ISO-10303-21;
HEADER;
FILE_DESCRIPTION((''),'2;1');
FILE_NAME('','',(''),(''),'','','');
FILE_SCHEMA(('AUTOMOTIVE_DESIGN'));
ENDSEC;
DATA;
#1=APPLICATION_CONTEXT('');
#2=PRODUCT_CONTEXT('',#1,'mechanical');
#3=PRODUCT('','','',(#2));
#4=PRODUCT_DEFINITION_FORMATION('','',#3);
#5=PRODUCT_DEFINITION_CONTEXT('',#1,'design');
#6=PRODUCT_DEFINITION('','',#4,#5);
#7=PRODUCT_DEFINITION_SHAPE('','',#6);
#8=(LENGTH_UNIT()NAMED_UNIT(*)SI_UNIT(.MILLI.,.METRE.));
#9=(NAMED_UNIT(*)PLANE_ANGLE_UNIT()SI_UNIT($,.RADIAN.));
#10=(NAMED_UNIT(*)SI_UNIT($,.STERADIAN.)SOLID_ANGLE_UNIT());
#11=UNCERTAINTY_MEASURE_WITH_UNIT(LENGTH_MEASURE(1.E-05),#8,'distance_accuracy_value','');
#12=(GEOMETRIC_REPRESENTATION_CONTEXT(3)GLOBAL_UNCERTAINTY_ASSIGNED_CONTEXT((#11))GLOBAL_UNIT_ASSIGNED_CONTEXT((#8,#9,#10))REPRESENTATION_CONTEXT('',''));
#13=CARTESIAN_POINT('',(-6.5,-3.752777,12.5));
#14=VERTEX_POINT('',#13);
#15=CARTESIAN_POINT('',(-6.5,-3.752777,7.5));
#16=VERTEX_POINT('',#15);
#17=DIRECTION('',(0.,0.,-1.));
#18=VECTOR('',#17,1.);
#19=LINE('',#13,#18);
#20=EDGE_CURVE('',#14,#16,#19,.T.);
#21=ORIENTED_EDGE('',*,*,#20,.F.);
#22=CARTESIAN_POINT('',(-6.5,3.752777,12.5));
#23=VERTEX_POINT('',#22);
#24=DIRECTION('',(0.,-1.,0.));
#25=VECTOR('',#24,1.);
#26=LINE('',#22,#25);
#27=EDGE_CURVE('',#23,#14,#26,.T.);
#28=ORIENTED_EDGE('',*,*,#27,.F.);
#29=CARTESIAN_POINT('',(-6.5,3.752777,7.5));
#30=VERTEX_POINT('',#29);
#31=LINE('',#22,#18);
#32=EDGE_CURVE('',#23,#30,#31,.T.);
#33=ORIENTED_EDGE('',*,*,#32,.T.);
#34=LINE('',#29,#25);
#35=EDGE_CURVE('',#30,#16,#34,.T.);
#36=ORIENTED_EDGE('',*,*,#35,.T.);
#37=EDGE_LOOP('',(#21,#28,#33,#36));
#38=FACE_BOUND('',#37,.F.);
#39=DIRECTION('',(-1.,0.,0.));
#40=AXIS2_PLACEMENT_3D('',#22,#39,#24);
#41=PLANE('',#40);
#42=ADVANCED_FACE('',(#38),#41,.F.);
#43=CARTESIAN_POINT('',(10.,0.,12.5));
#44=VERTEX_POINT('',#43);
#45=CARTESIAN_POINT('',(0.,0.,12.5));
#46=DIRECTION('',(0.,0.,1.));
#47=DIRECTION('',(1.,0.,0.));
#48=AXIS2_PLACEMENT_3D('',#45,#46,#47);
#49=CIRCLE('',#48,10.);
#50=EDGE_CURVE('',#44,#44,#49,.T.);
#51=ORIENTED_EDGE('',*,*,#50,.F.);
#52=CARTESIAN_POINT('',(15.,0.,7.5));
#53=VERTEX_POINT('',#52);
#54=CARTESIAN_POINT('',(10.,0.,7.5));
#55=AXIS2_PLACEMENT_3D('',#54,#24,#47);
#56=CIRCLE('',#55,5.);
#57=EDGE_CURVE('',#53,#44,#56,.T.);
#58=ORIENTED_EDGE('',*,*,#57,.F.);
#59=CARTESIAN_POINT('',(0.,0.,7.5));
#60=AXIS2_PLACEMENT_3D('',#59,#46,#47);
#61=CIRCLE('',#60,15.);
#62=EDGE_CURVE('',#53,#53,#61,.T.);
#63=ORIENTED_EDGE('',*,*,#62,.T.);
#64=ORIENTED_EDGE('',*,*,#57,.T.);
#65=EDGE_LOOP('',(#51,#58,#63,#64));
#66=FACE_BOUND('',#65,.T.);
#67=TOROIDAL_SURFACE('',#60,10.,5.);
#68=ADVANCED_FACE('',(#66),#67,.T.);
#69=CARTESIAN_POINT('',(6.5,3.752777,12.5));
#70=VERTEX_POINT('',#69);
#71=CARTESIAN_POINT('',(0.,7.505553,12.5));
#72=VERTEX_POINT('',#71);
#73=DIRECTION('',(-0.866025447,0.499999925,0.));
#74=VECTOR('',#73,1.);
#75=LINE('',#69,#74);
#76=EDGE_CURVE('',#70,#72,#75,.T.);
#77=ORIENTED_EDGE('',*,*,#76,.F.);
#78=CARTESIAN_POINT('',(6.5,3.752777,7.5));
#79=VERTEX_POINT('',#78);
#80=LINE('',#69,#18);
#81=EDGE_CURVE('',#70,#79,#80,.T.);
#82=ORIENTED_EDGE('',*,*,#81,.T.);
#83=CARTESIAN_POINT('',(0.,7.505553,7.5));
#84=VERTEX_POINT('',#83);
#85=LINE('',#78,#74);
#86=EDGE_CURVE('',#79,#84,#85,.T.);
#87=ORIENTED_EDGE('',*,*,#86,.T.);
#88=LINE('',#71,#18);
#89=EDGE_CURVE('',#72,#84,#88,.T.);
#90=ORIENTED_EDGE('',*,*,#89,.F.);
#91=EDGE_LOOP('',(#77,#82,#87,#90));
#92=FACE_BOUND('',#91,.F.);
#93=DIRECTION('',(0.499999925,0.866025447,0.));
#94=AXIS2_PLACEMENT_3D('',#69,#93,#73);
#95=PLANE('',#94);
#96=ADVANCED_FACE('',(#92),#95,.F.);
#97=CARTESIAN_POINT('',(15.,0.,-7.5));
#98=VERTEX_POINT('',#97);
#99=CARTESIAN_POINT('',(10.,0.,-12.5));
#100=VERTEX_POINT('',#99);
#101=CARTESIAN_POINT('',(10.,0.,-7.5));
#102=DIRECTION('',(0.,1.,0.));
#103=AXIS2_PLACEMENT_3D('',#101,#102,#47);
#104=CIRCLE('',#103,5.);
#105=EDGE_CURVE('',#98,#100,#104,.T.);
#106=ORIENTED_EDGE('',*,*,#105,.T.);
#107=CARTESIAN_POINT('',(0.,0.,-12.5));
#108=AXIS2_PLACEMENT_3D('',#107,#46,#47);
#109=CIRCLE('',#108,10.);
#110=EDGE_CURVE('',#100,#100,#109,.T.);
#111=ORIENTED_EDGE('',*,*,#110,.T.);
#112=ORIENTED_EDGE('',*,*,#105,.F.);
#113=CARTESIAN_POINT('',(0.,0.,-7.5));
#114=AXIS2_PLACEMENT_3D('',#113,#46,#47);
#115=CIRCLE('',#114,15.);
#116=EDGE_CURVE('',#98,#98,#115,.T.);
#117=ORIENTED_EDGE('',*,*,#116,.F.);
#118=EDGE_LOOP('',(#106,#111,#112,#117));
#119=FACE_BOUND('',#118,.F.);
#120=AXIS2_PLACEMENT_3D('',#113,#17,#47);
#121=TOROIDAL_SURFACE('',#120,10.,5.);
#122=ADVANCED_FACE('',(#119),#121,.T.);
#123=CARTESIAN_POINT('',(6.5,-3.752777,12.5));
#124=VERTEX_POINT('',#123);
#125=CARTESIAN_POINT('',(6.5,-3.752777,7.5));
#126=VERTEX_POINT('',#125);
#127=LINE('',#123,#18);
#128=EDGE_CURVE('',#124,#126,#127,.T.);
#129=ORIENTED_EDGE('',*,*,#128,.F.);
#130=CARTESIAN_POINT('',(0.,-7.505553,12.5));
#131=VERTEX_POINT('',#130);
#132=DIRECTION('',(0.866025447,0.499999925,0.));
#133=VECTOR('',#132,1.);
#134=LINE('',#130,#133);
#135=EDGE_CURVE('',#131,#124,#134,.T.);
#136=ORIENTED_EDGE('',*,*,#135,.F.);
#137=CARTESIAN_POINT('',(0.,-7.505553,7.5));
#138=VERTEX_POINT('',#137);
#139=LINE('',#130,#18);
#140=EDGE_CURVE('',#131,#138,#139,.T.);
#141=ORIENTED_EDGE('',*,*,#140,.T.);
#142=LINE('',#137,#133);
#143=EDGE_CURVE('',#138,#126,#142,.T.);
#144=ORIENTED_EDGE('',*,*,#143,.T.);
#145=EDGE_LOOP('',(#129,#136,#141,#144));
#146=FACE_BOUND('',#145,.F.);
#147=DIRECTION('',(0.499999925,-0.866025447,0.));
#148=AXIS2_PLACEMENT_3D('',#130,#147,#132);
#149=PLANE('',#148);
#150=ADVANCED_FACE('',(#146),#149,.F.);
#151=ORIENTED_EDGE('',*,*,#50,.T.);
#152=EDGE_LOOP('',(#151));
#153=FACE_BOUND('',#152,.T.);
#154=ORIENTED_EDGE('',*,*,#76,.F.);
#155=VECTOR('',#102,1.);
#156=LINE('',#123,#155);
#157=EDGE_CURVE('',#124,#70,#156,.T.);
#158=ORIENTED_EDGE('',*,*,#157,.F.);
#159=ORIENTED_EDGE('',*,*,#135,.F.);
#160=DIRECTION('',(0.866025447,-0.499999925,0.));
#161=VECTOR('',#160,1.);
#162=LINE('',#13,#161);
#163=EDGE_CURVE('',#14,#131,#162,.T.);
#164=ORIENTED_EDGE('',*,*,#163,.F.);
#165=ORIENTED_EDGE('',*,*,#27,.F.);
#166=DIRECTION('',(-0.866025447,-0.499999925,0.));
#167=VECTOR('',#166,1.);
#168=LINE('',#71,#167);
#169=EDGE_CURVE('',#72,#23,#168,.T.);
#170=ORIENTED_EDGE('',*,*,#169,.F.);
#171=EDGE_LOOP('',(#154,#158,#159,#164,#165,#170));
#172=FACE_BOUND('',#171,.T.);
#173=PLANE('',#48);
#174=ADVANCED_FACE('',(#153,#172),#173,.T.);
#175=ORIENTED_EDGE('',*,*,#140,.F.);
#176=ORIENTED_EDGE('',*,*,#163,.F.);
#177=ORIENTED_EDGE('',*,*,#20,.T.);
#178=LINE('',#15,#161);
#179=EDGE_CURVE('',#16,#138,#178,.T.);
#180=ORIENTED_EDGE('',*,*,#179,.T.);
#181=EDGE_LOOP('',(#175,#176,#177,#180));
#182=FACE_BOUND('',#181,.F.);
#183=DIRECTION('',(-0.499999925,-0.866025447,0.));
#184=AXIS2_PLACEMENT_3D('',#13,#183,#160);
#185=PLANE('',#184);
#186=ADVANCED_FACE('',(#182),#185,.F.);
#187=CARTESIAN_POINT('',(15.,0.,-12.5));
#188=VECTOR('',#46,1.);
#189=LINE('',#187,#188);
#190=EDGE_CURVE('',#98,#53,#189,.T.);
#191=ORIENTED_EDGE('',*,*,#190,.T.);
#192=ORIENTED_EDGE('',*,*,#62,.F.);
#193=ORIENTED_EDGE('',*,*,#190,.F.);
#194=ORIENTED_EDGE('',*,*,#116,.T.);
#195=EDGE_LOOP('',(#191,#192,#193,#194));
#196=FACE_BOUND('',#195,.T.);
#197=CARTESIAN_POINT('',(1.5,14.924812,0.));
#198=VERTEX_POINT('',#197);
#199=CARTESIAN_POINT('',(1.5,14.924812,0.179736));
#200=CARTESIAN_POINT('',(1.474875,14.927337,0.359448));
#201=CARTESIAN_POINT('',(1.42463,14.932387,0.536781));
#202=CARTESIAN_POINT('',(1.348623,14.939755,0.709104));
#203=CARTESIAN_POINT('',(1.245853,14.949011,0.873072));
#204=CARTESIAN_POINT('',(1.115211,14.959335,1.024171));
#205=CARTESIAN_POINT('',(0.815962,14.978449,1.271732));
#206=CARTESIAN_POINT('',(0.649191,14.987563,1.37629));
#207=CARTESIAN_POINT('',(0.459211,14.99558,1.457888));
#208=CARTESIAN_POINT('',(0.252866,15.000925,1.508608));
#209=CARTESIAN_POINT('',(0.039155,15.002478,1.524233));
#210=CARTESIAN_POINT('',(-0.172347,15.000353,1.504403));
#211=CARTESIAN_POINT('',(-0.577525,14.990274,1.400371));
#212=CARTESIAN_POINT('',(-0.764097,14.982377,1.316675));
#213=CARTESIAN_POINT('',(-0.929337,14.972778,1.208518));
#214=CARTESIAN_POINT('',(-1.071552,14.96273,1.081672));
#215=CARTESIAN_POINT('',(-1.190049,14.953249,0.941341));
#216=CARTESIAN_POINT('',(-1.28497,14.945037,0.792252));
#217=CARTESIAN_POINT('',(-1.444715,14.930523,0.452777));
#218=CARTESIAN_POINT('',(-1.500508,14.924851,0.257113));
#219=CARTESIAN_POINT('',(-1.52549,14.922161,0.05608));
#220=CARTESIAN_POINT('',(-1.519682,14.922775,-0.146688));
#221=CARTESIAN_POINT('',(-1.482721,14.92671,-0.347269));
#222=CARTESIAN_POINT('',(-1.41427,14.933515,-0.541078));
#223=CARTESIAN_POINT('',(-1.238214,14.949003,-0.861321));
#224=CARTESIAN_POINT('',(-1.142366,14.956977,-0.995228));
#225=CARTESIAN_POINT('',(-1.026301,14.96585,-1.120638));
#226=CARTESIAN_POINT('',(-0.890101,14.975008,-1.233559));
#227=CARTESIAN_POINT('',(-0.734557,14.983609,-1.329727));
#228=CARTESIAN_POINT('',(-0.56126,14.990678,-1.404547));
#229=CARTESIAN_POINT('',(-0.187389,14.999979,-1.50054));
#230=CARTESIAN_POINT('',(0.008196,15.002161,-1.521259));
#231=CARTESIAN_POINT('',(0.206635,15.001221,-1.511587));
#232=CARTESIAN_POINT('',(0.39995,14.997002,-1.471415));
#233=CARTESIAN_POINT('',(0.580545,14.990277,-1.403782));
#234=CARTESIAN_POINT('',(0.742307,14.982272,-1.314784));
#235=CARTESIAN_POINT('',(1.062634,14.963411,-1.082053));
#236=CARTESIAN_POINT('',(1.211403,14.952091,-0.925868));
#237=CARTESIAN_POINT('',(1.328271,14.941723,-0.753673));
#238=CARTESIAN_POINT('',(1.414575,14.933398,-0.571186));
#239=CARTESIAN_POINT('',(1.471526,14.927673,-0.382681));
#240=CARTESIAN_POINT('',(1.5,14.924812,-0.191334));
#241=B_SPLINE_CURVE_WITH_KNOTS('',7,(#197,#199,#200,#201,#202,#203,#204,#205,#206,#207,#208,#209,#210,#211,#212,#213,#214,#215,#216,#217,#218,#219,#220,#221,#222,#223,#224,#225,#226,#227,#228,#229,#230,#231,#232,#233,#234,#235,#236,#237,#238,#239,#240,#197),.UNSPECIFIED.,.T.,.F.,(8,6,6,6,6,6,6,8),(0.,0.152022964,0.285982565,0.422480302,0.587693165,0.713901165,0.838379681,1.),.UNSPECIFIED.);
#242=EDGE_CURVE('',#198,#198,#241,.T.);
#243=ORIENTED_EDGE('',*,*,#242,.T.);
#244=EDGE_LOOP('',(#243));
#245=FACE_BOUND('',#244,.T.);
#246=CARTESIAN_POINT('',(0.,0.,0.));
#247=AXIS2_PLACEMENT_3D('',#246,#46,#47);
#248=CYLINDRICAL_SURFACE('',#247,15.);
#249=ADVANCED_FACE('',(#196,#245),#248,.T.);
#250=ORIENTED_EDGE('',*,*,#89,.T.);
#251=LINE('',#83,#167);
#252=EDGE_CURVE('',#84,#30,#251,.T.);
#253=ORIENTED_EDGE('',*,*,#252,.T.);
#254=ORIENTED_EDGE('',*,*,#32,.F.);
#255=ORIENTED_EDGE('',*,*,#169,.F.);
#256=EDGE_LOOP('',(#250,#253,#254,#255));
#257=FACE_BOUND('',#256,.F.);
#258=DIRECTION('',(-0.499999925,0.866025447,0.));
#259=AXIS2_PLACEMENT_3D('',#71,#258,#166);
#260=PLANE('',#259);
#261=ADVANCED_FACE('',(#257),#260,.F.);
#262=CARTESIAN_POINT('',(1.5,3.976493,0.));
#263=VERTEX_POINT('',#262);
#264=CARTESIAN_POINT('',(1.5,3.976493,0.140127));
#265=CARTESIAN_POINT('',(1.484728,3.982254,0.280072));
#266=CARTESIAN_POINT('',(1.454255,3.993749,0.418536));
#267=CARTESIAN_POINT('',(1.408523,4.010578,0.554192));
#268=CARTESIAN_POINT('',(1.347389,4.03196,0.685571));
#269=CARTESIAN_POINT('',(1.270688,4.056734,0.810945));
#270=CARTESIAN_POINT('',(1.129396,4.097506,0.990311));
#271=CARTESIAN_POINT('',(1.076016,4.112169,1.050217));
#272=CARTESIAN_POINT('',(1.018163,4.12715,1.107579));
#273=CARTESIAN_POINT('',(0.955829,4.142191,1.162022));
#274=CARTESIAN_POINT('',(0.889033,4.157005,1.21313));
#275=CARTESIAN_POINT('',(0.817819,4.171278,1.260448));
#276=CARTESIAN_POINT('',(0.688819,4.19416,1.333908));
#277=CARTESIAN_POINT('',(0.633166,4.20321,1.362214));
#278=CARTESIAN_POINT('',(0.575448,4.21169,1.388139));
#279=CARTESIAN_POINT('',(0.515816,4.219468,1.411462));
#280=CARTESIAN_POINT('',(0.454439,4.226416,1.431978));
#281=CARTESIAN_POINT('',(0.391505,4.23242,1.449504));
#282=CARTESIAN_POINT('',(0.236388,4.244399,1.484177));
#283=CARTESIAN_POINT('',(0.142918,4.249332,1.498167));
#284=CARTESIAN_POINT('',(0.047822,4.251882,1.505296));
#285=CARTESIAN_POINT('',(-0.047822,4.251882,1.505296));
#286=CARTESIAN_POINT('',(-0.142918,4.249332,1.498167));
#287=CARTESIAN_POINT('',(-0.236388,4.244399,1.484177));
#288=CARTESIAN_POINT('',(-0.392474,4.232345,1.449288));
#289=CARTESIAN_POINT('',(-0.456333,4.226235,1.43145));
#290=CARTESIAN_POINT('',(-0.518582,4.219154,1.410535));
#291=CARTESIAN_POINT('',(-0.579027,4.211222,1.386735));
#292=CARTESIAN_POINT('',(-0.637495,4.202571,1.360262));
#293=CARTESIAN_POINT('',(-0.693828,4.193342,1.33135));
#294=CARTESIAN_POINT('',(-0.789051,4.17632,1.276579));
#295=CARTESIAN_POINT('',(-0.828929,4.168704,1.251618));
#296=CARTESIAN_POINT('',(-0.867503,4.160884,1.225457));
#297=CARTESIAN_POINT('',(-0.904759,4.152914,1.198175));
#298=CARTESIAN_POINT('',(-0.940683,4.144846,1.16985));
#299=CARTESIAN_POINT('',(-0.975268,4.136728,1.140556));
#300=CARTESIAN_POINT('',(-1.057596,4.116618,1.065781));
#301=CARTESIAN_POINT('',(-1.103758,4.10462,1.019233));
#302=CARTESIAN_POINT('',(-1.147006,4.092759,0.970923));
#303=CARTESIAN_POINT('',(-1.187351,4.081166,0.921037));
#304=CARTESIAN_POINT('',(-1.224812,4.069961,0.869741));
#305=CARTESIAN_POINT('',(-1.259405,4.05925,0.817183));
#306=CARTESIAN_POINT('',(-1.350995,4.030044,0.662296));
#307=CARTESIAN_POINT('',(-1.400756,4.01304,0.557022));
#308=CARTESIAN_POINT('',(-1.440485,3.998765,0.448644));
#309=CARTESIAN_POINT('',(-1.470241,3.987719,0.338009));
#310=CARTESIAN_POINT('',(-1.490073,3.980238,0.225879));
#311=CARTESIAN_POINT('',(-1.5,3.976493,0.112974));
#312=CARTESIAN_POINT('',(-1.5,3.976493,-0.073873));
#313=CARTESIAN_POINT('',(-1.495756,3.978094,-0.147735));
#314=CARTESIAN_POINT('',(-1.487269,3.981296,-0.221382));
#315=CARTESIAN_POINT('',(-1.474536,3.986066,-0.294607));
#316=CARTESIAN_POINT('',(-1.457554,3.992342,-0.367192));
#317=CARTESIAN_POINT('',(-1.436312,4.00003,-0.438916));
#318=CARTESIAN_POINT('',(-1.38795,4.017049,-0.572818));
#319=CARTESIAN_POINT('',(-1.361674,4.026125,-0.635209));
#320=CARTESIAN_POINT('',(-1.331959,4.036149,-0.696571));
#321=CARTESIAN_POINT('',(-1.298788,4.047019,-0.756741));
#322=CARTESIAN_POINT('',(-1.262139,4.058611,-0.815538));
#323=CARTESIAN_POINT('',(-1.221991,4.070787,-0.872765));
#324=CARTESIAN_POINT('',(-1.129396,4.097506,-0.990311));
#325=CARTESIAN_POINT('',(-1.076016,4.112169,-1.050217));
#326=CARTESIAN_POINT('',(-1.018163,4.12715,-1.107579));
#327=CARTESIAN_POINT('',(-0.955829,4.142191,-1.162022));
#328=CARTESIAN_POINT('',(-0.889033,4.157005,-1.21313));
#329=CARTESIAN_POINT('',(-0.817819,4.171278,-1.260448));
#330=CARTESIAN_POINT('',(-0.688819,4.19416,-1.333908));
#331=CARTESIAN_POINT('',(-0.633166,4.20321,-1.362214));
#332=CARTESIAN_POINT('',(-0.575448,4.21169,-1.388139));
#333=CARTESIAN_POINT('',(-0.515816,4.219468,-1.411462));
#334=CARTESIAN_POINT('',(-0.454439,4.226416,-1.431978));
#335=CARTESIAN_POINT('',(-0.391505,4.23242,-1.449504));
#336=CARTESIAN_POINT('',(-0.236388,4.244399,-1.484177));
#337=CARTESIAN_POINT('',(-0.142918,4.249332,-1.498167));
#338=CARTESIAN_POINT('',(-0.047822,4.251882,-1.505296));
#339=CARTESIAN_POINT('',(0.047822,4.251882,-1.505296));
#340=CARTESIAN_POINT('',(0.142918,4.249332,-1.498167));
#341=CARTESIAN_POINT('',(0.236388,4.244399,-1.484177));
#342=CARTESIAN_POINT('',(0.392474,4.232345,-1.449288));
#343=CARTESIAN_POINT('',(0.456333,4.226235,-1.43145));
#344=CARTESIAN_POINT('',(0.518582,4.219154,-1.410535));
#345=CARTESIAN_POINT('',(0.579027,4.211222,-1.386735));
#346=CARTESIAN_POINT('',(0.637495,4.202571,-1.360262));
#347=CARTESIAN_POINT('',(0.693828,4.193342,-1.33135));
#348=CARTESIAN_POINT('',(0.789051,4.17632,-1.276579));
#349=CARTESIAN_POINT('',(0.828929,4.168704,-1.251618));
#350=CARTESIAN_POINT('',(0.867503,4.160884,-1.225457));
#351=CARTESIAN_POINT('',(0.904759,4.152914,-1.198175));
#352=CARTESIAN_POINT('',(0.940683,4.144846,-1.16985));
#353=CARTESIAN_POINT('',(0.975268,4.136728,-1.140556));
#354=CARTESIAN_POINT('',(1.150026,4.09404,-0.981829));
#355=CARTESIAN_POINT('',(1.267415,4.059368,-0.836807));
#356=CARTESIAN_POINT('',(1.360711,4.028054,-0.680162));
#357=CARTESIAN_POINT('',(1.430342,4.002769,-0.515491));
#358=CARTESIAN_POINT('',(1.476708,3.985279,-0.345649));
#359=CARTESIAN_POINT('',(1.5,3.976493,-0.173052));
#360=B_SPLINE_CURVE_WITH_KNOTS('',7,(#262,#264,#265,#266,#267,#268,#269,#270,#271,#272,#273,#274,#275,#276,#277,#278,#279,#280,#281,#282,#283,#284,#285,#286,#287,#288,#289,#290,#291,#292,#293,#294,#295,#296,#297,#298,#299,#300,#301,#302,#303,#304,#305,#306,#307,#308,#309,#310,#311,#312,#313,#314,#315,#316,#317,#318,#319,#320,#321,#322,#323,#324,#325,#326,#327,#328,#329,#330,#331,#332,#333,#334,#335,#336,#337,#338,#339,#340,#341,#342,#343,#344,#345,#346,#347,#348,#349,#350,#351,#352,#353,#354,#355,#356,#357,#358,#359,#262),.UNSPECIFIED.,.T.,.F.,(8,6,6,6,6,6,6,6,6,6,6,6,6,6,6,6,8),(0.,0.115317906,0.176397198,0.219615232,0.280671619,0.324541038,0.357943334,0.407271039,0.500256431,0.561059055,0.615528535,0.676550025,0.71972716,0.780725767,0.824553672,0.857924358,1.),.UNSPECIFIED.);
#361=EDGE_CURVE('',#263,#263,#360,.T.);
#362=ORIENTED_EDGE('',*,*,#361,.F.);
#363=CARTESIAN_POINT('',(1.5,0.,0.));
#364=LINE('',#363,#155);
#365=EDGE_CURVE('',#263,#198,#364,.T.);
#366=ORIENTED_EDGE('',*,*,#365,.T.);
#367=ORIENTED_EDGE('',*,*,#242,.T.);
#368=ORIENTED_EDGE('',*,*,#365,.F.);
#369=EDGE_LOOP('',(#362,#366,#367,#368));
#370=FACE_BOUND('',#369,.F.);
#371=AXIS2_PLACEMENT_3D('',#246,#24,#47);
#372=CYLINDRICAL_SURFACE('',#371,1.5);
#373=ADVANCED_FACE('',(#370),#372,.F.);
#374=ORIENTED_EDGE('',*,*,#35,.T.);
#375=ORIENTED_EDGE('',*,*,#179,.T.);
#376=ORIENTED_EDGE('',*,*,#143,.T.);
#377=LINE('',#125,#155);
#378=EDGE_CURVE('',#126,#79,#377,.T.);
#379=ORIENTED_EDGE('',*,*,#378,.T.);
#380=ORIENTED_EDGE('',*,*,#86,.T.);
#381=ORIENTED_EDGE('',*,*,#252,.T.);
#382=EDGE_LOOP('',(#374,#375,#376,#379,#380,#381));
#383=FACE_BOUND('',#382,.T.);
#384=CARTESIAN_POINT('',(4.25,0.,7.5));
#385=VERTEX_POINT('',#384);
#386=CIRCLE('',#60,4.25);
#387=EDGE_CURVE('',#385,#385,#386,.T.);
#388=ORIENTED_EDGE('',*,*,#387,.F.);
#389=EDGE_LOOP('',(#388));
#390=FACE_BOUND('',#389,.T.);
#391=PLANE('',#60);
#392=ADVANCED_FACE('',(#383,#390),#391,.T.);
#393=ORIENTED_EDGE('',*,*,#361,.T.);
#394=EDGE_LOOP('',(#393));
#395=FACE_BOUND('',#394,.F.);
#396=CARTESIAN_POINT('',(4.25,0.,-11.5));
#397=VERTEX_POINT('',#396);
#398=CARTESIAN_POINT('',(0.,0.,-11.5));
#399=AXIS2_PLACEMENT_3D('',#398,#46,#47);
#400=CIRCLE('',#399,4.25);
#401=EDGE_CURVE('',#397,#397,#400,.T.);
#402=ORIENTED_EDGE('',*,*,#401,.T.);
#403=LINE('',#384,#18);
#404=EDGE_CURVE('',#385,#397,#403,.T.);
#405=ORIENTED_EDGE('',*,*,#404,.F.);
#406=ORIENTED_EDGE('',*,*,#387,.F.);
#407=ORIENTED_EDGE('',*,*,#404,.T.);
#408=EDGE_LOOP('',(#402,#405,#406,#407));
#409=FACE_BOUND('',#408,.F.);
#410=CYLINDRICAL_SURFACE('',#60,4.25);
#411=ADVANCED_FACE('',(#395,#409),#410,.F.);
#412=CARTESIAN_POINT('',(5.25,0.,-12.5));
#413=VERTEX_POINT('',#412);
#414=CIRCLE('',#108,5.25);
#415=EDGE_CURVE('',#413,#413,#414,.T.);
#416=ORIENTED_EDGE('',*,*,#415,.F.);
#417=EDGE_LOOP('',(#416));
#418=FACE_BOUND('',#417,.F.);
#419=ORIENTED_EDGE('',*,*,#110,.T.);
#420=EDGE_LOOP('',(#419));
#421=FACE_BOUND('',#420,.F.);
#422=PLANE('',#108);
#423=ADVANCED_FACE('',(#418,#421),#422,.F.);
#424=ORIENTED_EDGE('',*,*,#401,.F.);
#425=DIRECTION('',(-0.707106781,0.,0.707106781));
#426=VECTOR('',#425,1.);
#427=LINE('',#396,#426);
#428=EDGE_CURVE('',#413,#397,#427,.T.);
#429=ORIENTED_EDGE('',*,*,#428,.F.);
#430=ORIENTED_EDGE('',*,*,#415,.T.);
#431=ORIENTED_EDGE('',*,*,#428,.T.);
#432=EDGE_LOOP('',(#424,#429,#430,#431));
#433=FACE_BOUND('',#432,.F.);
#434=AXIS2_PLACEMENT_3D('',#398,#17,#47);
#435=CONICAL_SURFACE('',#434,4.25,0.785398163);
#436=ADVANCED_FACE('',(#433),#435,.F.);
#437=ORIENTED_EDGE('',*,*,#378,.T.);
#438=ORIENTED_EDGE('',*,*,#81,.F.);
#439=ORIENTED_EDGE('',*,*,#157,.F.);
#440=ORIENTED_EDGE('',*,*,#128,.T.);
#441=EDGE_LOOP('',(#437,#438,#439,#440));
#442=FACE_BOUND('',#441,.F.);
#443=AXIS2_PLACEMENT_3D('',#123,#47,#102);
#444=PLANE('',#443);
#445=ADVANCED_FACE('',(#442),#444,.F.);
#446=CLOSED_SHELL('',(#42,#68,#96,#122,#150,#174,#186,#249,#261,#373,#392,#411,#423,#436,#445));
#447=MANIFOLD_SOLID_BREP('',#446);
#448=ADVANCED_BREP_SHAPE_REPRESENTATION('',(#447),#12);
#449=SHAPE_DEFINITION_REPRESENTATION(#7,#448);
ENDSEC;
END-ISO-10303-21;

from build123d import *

# Parameters (mm, degrees)
F0_R     = 15
F1_DEPTH = 12.5
F3_DEPTH = 5
F4_R     = 4.25
F5_DEPTH = 20.001
F6_R     = 5
F7_SIZE  = 1
F8_R     = 1.5
F9_DEPTH = 50


with BuildPart() as f1:
    # F0 (on Top) → F1 (new body, symmetric)
    with BuildSketch(Plane.XY):
        Circle(F0_R)
    extrude(amount=F1_DEPTH, both=True)

    # F2 (on face) → F3 (cut)
    with BuildSketch(Plane.XY.offset(12.5)):
        Polygon((6.5, -3.752777), (6.5, 3.752777), (0, 7.505553), (-6.5, 3.752777), (-6.5, -3.752777), (0, -7.505553), align=None)
    extrude(amount=-F3_DEPTH, mode=Mode.SUBTRACT)

    # F4 (on face) → F5 (cut, through all)
    with BuildSketch(Plane.XY.offset(7.5)):
        Circle(F4_R)
    extrude(amount=-F5_DEPTH, mode=Mode.SUBTRACT)

    # F6
    f6_edges = [f1.edges().sort_by_distance(p)[0] for p in [
        (-15, 0, 12.5),
        (-15, 0, -12.5),
    ]]
    fillet(f6_edges, radius=F6_R)

    # F7
    f7_edges = [f1.edges().sort_by_distance(p)[0] for p in [
        (-4.25, 0, -12.5),
    ]]
    chamfer(f7_edges, length=F7_SIZE)

    # F8 (on Front) → F9 (cut)
    with BuildSketch(Plane.XZ):
        Circle(F8_R)
    extrude(amount=-F9_DEPTH, mode=Mode.SUBTRACT)


solid = f1.part
